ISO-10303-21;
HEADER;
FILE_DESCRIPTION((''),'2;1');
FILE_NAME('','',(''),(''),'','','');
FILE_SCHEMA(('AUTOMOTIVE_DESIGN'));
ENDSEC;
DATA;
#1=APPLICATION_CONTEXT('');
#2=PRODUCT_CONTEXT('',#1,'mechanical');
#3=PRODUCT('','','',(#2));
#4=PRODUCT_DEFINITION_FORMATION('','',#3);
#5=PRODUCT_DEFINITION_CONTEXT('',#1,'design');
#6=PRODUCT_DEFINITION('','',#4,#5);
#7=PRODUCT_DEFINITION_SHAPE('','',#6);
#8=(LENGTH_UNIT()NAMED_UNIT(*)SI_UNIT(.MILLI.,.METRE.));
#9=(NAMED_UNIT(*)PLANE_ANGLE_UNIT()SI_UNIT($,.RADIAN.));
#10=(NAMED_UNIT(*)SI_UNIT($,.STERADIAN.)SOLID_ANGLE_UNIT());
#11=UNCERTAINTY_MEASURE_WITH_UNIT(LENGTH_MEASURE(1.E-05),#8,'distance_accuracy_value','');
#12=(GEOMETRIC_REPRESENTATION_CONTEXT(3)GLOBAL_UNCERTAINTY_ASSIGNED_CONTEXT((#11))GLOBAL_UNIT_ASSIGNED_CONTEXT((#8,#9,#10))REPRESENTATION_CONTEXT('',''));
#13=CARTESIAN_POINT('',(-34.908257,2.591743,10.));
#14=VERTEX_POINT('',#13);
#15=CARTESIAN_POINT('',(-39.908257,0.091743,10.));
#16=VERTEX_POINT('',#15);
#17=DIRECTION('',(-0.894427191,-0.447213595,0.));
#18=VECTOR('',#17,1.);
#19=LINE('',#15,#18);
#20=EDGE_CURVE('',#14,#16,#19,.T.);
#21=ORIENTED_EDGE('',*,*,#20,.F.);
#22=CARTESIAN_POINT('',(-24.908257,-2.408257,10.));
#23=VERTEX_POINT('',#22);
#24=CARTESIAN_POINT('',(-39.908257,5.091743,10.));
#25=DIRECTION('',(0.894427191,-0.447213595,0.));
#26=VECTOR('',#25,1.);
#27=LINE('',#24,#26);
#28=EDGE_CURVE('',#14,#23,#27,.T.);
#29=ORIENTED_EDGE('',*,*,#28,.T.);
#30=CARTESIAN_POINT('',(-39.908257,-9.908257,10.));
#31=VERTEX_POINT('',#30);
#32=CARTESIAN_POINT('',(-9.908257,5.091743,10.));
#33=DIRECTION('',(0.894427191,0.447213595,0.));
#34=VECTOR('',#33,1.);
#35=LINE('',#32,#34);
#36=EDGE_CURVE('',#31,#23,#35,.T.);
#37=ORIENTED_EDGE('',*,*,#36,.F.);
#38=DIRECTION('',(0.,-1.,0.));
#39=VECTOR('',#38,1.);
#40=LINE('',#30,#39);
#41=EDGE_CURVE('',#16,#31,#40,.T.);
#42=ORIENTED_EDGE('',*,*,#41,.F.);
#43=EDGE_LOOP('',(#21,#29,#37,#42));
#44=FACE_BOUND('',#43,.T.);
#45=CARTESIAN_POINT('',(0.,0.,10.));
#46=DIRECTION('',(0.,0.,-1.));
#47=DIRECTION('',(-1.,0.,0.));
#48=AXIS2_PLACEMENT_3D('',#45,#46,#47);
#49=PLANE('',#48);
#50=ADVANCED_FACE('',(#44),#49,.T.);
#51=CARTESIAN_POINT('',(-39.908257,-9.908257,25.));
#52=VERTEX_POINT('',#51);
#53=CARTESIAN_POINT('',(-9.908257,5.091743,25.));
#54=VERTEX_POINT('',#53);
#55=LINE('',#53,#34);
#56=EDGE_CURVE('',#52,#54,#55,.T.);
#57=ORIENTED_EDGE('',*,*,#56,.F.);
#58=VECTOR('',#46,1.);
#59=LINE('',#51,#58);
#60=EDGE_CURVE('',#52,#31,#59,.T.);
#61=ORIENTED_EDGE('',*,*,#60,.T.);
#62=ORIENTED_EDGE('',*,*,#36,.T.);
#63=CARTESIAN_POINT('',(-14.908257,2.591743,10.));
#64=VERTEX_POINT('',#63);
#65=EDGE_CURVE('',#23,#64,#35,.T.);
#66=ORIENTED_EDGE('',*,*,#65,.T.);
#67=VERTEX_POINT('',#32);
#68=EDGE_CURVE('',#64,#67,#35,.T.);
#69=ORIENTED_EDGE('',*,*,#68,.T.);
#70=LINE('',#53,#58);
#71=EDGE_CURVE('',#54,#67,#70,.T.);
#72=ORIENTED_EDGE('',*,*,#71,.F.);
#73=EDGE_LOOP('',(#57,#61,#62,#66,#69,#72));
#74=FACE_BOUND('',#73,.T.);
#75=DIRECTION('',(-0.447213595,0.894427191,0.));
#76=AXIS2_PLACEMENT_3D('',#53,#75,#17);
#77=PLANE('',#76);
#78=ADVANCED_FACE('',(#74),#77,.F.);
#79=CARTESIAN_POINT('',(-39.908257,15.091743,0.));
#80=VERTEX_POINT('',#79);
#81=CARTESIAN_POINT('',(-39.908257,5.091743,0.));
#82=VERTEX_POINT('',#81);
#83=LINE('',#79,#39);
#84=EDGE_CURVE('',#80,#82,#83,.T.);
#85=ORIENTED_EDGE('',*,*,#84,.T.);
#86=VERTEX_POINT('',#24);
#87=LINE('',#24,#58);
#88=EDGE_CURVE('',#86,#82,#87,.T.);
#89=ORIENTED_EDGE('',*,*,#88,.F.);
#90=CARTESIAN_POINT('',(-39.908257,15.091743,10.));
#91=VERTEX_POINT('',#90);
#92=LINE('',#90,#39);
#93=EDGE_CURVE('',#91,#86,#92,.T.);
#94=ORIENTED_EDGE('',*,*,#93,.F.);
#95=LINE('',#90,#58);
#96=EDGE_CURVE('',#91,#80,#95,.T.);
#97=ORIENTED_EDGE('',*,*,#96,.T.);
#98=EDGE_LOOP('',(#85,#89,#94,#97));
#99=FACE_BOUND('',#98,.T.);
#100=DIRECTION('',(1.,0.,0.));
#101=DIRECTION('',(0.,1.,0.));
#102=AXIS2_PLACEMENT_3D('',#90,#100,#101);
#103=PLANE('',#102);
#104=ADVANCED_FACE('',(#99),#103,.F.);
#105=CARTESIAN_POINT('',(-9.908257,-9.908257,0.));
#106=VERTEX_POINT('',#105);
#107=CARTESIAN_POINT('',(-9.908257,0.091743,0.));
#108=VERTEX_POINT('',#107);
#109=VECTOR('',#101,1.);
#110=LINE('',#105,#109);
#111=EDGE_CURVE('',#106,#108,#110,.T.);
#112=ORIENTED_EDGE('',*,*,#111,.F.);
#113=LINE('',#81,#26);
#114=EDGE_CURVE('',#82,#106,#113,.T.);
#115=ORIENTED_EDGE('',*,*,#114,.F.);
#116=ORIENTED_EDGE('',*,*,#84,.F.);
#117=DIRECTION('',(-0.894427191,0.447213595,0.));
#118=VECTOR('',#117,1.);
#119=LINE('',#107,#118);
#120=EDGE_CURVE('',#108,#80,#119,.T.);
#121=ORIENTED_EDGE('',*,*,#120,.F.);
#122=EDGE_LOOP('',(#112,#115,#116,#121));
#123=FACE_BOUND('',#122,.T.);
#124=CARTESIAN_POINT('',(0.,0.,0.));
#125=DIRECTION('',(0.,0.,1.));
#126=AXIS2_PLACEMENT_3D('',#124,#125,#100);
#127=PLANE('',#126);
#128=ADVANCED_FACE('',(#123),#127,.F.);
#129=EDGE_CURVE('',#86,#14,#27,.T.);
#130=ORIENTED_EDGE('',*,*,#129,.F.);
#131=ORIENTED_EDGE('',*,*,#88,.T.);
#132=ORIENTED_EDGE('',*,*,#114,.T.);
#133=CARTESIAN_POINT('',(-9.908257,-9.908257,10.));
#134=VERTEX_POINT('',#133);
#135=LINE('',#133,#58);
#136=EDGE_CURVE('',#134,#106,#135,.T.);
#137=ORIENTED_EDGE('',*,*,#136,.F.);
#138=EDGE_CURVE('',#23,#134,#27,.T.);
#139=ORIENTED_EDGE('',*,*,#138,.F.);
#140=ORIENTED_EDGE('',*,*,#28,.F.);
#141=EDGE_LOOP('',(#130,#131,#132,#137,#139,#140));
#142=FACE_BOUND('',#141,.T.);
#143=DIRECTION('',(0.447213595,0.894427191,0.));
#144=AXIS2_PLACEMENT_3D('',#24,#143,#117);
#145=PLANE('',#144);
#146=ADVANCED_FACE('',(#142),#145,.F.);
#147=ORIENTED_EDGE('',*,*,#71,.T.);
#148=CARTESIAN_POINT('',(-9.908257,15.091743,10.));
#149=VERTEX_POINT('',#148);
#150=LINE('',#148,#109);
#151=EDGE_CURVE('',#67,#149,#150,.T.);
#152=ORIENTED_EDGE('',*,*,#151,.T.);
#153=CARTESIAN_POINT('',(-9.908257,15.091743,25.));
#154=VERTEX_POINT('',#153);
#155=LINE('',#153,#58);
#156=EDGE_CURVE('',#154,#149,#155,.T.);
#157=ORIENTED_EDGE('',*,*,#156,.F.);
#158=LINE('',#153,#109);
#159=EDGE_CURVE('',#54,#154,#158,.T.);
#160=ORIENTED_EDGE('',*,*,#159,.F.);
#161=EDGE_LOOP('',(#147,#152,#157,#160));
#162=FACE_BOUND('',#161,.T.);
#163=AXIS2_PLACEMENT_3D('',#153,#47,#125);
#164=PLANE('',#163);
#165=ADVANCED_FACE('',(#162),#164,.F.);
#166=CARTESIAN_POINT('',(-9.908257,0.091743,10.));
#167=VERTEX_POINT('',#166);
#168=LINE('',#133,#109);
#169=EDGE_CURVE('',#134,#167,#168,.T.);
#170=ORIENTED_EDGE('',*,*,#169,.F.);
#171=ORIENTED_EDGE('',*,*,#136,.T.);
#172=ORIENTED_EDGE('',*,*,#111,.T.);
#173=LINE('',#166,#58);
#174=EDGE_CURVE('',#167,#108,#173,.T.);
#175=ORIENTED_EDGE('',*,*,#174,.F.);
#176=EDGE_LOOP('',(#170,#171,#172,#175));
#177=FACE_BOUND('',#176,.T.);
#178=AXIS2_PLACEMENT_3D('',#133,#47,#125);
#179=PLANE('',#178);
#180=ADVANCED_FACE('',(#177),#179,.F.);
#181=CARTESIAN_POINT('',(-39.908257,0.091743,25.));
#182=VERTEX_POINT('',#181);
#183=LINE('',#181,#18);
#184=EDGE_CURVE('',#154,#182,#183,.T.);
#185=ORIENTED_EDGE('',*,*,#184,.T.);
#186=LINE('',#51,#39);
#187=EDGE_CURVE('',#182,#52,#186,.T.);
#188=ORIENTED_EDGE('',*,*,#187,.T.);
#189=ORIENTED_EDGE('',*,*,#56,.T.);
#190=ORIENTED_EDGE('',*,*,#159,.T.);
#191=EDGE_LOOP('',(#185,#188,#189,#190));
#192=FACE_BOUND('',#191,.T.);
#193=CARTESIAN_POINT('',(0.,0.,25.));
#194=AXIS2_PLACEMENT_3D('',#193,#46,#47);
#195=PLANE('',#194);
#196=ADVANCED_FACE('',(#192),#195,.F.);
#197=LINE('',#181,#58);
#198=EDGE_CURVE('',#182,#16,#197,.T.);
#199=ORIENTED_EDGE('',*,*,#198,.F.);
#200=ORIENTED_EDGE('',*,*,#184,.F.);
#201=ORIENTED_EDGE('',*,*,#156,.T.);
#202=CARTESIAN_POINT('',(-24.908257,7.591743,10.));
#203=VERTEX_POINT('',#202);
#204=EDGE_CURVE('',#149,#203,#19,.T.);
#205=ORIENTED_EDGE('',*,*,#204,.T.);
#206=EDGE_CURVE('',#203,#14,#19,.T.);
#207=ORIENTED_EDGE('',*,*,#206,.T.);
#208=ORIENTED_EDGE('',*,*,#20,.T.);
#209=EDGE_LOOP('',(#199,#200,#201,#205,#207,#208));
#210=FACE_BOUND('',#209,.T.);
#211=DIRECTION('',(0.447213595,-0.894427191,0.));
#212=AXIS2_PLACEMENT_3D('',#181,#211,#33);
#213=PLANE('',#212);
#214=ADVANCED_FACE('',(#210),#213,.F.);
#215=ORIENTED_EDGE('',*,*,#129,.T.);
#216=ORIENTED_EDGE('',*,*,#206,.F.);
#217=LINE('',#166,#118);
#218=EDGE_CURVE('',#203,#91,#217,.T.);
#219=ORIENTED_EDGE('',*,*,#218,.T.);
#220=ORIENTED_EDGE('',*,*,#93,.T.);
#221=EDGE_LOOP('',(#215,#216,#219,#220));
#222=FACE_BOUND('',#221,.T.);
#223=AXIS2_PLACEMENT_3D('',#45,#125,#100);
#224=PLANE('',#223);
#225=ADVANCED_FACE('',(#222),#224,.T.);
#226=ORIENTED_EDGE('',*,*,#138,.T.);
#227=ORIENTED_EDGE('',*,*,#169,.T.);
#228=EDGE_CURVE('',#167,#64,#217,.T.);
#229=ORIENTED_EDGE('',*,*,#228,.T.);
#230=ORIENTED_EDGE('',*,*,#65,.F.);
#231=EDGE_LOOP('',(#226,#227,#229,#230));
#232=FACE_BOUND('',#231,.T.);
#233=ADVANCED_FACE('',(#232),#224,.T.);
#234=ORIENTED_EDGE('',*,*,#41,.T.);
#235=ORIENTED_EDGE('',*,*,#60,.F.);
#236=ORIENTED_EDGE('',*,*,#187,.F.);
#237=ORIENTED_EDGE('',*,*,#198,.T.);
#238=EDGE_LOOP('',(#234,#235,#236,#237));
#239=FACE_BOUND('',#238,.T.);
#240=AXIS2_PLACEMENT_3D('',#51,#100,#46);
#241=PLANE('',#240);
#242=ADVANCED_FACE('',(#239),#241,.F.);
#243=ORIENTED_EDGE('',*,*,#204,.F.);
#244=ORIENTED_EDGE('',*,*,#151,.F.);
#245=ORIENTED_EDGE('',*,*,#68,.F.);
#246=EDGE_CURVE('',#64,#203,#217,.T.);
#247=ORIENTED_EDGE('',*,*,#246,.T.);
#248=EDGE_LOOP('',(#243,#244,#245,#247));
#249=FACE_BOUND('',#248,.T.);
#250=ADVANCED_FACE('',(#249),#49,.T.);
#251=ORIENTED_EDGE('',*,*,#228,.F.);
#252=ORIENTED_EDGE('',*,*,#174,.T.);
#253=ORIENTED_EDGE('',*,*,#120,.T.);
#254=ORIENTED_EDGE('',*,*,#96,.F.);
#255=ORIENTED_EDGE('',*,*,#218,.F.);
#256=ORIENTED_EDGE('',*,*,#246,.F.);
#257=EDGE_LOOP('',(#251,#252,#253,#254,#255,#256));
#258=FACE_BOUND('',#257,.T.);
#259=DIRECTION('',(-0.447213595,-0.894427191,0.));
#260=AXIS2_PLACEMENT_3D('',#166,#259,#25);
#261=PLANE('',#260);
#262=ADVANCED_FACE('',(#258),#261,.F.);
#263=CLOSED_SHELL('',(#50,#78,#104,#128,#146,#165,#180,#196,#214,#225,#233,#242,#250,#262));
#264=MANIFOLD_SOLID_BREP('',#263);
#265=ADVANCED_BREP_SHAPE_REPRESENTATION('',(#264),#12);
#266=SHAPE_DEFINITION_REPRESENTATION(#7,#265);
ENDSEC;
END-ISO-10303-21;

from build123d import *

# Parameters (mm, degrees)
BOSS_EXTRUDE1_DEPTH = 10
BOSS_EXTRUDE3_DEPTH = 15


with BuildPart() as part:
    # Sketch1 → Boss-Extrude1 (new body)
    with BuildSketch(Plane.XY):
        Polygon((-39.908256881, 15.091743119), (-39.908256881, 5.091743119), (-9.908256881, -9.908256881), (-9.908256881, 0.091743119), align=None)
    extrude(amount=BOSS_EXTRUDE1_DEPTH)

    # Sketch2 → Boss-Extrude3 (add)
    with BuildSketch(Plane.XY.offset(10)):
        Polygon((-9.908256881, 15.091743119), (-9.908256881, 5.091743119), (-39.908256881, -9.908256881), (-39.908256881, 0.091743119), align=None)
    extrude(amount=BOSS_EXTRUDE3_DEPTH)


solid = part.part
